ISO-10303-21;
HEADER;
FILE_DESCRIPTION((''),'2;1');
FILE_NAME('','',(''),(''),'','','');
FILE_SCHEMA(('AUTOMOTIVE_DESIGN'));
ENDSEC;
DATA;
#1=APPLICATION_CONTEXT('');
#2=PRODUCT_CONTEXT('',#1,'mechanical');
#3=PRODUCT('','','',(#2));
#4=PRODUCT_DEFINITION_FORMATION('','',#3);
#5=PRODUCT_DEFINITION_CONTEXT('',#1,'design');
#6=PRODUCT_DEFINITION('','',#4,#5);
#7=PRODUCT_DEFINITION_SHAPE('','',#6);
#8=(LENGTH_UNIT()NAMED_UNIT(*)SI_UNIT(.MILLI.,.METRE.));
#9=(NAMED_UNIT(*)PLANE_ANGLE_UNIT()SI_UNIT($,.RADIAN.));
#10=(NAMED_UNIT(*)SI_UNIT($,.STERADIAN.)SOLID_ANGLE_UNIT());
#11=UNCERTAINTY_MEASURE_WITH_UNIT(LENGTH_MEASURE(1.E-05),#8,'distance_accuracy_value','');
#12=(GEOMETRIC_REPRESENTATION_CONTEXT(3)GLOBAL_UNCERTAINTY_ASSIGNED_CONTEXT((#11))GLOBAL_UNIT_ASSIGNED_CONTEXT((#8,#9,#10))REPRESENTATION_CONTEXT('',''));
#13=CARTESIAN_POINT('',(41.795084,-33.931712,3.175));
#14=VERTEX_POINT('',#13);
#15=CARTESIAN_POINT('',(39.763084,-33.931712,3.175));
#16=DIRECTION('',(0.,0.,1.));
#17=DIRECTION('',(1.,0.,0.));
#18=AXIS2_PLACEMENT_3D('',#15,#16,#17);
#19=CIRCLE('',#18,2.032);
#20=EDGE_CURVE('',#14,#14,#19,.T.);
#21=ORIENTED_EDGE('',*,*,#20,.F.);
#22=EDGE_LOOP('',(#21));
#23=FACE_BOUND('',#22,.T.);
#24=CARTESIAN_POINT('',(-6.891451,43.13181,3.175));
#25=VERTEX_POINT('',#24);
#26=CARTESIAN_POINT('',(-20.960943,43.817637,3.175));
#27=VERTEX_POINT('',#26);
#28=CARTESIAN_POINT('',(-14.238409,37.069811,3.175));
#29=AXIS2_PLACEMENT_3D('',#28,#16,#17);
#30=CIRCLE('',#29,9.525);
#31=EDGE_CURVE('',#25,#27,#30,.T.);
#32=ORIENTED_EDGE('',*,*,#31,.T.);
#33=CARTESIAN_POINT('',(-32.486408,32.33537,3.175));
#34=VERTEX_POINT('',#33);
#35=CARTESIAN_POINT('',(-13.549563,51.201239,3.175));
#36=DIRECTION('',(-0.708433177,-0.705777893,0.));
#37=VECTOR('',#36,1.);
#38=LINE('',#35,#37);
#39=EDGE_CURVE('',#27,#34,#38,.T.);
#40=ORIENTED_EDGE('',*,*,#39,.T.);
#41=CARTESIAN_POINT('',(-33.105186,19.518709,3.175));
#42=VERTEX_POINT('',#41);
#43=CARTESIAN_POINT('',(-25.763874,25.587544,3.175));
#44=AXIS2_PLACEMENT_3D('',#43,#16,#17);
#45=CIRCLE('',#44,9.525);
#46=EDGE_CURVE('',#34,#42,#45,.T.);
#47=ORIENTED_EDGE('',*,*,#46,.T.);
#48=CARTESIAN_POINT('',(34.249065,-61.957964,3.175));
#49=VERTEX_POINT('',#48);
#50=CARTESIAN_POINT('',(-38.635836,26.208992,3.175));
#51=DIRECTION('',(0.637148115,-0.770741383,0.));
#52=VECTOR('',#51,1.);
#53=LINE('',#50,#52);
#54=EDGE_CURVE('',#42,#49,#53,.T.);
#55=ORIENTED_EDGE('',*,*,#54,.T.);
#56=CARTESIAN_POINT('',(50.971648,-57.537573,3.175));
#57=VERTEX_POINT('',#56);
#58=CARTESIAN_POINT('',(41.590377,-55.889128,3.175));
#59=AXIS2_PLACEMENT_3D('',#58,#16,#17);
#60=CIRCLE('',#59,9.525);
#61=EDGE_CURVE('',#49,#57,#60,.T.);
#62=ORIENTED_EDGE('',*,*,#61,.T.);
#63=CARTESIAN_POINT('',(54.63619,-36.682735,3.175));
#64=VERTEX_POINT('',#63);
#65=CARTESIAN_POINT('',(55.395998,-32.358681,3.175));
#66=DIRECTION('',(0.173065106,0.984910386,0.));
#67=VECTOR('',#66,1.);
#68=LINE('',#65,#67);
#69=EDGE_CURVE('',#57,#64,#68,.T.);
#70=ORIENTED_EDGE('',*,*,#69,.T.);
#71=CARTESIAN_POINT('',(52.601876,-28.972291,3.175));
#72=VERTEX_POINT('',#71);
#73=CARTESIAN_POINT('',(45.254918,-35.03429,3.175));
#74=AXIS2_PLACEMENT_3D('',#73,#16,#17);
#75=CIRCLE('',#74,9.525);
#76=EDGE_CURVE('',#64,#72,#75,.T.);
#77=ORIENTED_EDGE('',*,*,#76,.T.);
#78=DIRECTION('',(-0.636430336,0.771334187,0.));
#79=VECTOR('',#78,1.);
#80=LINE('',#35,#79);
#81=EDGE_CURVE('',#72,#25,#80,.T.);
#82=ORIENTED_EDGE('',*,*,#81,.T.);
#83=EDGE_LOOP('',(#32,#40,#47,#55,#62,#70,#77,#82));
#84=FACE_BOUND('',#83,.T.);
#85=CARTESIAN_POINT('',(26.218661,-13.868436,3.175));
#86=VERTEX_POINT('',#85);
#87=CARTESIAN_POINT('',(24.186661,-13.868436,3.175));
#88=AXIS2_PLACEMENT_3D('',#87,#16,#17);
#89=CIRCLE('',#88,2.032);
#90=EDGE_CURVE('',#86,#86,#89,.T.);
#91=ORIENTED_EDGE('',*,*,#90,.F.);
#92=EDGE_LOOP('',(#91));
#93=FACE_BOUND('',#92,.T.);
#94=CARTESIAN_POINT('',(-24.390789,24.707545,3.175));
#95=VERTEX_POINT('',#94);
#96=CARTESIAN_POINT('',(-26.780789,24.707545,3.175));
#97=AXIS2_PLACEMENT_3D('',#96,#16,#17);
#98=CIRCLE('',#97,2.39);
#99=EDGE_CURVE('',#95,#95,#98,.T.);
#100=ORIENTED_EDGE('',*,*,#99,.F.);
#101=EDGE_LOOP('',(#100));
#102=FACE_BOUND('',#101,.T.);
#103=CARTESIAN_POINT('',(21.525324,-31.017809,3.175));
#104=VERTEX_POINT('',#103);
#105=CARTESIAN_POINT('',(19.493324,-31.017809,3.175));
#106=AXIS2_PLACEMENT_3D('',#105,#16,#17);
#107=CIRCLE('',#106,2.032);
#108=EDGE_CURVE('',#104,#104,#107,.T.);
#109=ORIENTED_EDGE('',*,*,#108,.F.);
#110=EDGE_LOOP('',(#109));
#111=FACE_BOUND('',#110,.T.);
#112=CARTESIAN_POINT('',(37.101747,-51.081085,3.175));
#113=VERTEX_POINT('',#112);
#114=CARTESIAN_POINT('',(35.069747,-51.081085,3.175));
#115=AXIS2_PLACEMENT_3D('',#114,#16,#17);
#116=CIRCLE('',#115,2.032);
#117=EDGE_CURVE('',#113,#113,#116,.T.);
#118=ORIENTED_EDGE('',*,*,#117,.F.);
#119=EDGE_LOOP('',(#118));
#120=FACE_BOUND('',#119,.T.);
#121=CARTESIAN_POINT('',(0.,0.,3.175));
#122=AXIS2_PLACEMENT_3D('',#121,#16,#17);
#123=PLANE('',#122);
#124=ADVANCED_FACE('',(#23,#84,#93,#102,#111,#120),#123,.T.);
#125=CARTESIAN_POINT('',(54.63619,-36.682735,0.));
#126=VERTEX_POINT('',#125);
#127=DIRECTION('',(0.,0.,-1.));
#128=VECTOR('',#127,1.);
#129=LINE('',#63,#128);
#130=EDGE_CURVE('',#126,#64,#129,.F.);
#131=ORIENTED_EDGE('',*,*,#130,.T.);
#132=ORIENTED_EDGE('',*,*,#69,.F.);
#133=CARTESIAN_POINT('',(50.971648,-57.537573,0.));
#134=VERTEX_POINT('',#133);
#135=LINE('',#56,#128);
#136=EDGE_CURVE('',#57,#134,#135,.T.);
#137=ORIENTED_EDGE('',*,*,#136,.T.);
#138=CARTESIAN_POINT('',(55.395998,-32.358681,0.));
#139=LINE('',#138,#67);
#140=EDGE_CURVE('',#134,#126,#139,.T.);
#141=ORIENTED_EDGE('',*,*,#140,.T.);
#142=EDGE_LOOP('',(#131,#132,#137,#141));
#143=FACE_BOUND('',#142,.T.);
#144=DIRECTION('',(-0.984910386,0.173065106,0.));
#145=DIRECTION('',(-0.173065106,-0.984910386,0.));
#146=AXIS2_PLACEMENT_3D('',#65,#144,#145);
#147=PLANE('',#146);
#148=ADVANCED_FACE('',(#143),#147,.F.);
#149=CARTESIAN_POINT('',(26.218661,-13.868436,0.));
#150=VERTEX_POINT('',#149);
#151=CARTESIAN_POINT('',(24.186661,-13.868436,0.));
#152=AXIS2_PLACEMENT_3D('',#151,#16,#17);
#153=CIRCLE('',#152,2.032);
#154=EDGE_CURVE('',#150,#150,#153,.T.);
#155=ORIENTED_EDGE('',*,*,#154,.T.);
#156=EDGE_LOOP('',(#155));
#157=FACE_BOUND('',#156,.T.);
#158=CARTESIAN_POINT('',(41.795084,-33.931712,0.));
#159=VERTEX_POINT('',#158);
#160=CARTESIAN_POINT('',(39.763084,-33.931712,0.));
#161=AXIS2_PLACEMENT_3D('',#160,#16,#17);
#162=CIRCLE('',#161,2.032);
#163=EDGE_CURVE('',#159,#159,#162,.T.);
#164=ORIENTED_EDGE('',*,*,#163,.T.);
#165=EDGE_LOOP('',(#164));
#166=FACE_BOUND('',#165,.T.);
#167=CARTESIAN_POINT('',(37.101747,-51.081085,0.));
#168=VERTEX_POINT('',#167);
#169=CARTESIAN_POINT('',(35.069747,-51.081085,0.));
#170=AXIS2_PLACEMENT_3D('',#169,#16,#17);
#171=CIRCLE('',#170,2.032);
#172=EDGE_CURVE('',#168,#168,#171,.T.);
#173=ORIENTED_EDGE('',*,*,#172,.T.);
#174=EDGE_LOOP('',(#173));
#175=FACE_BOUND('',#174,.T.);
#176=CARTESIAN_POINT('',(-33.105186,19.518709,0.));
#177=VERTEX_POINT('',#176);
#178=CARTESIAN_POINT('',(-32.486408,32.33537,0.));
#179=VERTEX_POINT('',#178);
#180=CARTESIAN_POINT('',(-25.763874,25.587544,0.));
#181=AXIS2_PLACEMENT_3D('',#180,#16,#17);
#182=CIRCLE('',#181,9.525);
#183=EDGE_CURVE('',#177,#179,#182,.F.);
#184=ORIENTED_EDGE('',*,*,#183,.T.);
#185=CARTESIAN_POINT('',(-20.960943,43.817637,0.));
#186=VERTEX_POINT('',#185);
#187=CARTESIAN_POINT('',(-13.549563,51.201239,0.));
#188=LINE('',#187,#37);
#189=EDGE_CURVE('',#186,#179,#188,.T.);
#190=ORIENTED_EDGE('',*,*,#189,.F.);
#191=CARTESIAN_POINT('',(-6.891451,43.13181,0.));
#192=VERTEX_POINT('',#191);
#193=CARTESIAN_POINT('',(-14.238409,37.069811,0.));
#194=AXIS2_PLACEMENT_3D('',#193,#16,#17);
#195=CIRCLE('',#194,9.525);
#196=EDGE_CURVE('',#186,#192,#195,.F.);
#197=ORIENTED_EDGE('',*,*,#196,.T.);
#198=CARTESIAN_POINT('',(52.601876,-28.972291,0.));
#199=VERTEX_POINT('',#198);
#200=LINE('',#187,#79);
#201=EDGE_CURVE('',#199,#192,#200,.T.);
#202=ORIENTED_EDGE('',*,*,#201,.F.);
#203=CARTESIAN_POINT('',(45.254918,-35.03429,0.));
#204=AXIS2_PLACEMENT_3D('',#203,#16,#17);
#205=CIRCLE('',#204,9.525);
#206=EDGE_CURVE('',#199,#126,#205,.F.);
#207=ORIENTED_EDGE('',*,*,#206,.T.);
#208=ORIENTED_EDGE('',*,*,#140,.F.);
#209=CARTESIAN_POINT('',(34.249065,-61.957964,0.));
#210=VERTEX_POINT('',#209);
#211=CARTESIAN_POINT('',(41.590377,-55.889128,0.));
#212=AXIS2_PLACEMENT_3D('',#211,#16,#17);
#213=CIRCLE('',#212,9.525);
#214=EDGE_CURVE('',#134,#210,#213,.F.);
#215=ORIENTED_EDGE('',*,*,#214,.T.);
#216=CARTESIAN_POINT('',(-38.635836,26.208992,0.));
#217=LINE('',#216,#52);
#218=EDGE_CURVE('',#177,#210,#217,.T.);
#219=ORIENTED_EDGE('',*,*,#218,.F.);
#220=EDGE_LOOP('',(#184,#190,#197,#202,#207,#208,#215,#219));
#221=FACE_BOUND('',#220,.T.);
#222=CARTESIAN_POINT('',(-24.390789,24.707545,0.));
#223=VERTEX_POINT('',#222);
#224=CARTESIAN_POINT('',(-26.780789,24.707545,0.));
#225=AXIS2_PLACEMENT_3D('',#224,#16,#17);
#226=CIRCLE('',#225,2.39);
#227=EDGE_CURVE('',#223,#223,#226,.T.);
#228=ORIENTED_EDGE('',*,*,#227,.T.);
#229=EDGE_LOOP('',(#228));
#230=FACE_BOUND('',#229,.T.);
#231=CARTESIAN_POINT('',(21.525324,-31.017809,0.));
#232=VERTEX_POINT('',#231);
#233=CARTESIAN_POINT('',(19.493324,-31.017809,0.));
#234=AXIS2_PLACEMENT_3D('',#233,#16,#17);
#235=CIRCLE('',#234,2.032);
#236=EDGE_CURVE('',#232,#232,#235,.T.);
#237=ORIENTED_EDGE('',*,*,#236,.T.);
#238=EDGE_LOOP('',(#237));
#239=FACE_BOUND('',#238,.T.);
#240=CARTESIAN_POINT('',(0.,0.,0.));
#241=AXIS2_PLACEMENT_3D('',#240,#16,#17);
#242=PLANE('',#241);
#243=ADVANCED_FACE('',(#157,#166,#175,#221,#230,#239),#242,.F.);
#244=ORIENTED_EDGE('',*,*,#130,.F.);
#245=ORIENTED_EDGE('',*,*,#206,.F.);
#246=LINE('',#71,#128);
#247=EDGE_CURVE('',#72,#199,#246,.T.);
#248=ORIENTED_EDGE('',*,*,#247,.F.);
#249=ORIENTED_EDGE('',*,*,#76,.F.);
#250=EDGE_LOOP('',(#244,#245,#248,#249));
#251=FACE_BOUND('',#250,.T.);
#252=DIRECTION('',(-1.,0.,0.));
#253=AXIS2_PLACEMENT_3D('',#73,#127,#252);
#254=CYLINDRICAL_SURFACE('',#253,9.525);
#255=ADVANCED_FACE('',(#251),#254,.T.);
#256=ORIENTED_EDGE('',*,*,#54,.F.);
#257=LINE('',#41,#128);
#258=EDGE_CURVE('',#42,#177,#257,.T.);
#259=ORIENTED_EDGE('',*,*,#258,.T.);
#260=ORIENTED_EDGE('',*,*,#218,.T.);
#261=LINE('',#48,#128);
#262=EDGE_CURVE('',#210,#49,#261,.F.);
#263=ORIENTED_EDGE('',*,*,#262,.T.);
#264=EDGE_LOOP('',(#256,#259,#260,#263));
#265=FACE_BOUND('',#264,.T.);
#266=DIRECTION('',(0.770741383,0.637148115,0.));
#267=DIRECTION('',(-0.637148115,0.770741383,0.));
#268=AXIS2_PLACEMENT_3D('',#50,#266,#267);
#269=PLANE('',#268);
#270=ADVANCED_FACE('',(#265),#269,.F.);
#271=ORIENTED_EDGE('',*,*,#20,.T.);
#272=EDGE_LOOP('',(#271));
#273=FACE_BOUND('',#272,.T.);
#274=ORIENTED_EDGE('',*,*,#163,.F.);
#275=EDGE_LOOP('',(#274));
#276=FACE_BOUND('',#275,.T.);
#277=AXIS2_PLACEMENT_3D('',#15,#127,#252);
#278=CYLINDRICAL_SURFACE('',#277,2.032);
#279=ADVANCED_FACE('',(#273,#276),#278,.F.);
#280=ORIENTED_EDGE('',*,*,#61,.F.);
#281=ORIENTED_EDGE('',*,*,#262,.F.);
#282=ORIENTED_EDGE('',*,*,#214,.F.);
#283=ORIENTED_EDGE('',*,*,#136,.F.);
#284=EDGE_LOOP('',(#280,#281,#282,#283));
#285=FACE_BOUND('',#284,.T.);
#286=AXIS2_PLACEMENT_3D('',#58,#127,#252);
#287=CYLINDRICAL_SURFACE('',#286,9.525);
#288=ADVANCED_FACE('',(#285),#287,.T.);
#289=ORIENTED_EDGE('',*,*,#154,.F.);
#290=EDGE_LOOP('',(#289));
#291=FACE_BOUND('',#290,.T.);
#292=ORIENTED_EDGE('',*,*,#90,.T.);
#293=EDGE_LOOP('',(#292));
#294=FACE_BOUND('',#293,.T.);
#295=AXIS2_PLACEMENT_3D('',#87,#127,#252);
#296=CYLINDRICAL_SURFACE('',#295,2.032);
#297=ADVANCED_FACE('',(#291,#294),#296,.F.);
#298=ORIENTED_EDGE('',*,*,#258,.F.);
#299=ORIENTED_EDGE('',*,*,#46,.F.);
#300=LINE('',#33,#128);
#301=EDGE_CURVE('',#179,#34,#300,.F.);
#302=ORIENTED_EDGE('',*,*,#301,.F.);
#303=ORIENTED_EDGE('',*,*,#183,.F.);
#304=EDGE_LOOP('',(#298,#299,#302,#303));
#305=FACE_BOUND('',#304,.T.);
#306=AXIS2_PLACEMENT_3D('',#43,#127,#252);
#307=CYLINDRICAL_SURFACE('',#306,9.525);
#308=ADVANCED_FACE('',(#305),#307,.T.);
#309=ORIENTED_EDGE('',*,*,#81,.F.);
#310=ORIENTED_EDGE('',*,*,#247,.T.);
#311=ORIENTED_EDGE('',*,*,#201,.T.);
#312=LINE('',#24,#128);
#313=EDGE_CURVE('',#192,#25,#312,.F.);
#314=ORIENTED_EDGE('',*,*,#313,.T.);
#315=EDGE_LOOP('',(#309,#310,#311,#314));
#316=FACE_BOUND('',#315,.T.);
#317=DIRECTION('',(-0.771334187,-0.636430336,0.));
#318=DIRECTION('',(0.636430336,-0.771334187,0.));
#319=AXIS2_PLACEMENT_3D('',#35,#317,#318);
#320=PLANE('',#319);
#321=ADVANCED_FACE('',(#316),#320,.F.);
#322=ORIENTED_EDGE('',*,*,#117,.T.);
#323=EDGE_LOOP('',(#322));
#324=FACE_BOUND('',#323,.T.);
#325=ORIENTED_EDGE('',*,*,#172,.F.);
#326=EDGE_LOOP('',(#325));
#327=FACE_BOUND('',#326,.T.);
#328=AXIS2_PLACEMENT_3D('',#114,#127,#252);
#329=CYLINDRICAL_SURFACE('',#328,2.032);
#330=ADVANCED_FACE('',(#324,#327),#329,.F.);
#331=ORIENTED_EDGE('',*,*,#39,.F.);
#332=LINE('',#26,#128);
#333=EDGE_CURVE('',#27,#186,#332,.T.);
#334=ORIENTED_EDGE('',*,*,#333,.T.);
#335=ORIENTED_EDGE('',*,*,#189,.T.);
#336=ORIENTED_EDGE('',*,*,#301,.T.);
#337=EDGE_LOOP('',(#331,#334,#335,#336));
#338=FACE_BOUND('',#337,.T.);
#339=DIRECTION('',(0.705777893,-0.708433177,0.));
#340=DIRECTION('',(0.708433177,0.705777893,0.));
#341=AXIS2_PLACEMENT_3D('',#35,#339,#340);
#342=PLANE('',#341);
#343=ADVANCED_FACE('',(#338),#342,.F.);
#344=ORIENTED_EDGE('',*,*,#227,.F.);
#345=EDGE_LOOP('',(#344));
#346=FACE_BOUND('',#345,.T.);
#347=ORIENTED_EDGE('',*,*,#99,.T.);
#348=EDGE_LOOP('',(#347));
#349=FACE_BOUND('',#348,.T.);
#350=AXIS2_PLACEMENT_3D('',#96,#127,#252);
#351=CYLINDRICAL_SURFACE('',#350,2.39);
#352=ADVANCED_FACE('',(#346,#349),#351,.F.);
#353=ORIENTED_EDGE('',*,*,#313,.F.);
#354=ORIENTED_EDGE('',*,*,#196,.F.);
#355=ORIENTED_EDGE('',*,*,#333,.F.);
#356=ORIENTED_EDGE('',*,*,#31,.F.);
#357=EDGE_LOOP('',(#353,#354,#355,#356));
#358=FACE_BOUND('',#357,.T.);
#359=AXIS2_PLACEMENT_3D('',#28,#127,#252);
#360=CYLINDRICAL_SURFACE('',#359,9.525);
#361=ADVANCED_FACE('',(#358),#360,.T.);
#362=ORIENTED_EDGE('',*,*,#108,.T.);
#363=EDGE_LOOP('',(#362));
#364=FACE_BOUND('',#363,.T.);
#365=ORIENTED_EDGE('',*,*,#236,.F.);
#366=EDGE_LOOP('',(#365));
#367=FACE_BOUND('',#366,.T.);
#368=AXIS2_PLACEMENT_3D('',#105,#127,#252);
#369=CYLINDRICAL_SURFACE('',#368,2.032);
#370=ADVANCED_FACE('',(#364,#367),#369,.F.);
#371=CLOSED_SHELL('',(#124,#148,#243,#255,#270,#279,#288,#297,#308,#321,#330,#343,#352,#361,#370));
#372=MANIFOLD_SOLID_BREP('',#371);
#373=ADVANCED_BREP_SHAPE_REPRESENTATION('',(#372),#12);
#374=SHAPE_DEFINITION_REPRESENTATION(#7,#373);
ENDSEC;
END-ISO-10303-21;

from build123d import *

# Parameters (mm, degrees)
SKETCH1_R           = 2.39
SKETCH1_R_2         = 2.032
BOSS_EXTRUDE1_DEPTH = 3.175
FILLET1_R           = 9.525


with BuildPart() as part:
    # Sketch1 → Boss-Extrude1 (new body)
    with BuildSketch(Plane.XY):
        Polygon((-13.549562782, 51.201238591), (55.395997605, -32.358681046), (47.399630983, -77.865858829), (-38.635835903, 26.208991527), align=None)
        with Locations((-26.780789006, 24.707545021)):
            Circle(SKETCH1_R, mode=Mode.SUBTRACT)
        with Locations((24.186660888, -13.868436177)):
            Circle(SKETCH1_R_2, mode=Mode.SUBTRACT)
        with Locations((19.493324021, -31.017809025)):
            Circle(SKETCH1_R_2, mode=Mode.SUBTRACT)
        with Locations((39.76308397, -33.93171218)):
            Circle(SKETCH1_R_2, mode=Mode.SUBTRACT)
        with Locations((35.069747103, -51.081085027)):
            Circle(SKETCH1_R_2, mode=Mode.SUBTRACT)
    extrude(amount=BOSS_EXTRUDE1_DEPTH)

    # Fillet1
    fillet1_edges = [part.edges().sort_by_distance(p)[0] for p in [
        (-13.549562782, 51.201238591, 1.5875),
        (55.395997605, -32.358681046, 1.5875),
        (47.399630983, -77.865858829, 1.5875),
        (-38.635835903, 26.208991527, 1.5875),
    ]]
    fillet(fillet1_edges, radius=FILLET1_R)


solid = part.part
